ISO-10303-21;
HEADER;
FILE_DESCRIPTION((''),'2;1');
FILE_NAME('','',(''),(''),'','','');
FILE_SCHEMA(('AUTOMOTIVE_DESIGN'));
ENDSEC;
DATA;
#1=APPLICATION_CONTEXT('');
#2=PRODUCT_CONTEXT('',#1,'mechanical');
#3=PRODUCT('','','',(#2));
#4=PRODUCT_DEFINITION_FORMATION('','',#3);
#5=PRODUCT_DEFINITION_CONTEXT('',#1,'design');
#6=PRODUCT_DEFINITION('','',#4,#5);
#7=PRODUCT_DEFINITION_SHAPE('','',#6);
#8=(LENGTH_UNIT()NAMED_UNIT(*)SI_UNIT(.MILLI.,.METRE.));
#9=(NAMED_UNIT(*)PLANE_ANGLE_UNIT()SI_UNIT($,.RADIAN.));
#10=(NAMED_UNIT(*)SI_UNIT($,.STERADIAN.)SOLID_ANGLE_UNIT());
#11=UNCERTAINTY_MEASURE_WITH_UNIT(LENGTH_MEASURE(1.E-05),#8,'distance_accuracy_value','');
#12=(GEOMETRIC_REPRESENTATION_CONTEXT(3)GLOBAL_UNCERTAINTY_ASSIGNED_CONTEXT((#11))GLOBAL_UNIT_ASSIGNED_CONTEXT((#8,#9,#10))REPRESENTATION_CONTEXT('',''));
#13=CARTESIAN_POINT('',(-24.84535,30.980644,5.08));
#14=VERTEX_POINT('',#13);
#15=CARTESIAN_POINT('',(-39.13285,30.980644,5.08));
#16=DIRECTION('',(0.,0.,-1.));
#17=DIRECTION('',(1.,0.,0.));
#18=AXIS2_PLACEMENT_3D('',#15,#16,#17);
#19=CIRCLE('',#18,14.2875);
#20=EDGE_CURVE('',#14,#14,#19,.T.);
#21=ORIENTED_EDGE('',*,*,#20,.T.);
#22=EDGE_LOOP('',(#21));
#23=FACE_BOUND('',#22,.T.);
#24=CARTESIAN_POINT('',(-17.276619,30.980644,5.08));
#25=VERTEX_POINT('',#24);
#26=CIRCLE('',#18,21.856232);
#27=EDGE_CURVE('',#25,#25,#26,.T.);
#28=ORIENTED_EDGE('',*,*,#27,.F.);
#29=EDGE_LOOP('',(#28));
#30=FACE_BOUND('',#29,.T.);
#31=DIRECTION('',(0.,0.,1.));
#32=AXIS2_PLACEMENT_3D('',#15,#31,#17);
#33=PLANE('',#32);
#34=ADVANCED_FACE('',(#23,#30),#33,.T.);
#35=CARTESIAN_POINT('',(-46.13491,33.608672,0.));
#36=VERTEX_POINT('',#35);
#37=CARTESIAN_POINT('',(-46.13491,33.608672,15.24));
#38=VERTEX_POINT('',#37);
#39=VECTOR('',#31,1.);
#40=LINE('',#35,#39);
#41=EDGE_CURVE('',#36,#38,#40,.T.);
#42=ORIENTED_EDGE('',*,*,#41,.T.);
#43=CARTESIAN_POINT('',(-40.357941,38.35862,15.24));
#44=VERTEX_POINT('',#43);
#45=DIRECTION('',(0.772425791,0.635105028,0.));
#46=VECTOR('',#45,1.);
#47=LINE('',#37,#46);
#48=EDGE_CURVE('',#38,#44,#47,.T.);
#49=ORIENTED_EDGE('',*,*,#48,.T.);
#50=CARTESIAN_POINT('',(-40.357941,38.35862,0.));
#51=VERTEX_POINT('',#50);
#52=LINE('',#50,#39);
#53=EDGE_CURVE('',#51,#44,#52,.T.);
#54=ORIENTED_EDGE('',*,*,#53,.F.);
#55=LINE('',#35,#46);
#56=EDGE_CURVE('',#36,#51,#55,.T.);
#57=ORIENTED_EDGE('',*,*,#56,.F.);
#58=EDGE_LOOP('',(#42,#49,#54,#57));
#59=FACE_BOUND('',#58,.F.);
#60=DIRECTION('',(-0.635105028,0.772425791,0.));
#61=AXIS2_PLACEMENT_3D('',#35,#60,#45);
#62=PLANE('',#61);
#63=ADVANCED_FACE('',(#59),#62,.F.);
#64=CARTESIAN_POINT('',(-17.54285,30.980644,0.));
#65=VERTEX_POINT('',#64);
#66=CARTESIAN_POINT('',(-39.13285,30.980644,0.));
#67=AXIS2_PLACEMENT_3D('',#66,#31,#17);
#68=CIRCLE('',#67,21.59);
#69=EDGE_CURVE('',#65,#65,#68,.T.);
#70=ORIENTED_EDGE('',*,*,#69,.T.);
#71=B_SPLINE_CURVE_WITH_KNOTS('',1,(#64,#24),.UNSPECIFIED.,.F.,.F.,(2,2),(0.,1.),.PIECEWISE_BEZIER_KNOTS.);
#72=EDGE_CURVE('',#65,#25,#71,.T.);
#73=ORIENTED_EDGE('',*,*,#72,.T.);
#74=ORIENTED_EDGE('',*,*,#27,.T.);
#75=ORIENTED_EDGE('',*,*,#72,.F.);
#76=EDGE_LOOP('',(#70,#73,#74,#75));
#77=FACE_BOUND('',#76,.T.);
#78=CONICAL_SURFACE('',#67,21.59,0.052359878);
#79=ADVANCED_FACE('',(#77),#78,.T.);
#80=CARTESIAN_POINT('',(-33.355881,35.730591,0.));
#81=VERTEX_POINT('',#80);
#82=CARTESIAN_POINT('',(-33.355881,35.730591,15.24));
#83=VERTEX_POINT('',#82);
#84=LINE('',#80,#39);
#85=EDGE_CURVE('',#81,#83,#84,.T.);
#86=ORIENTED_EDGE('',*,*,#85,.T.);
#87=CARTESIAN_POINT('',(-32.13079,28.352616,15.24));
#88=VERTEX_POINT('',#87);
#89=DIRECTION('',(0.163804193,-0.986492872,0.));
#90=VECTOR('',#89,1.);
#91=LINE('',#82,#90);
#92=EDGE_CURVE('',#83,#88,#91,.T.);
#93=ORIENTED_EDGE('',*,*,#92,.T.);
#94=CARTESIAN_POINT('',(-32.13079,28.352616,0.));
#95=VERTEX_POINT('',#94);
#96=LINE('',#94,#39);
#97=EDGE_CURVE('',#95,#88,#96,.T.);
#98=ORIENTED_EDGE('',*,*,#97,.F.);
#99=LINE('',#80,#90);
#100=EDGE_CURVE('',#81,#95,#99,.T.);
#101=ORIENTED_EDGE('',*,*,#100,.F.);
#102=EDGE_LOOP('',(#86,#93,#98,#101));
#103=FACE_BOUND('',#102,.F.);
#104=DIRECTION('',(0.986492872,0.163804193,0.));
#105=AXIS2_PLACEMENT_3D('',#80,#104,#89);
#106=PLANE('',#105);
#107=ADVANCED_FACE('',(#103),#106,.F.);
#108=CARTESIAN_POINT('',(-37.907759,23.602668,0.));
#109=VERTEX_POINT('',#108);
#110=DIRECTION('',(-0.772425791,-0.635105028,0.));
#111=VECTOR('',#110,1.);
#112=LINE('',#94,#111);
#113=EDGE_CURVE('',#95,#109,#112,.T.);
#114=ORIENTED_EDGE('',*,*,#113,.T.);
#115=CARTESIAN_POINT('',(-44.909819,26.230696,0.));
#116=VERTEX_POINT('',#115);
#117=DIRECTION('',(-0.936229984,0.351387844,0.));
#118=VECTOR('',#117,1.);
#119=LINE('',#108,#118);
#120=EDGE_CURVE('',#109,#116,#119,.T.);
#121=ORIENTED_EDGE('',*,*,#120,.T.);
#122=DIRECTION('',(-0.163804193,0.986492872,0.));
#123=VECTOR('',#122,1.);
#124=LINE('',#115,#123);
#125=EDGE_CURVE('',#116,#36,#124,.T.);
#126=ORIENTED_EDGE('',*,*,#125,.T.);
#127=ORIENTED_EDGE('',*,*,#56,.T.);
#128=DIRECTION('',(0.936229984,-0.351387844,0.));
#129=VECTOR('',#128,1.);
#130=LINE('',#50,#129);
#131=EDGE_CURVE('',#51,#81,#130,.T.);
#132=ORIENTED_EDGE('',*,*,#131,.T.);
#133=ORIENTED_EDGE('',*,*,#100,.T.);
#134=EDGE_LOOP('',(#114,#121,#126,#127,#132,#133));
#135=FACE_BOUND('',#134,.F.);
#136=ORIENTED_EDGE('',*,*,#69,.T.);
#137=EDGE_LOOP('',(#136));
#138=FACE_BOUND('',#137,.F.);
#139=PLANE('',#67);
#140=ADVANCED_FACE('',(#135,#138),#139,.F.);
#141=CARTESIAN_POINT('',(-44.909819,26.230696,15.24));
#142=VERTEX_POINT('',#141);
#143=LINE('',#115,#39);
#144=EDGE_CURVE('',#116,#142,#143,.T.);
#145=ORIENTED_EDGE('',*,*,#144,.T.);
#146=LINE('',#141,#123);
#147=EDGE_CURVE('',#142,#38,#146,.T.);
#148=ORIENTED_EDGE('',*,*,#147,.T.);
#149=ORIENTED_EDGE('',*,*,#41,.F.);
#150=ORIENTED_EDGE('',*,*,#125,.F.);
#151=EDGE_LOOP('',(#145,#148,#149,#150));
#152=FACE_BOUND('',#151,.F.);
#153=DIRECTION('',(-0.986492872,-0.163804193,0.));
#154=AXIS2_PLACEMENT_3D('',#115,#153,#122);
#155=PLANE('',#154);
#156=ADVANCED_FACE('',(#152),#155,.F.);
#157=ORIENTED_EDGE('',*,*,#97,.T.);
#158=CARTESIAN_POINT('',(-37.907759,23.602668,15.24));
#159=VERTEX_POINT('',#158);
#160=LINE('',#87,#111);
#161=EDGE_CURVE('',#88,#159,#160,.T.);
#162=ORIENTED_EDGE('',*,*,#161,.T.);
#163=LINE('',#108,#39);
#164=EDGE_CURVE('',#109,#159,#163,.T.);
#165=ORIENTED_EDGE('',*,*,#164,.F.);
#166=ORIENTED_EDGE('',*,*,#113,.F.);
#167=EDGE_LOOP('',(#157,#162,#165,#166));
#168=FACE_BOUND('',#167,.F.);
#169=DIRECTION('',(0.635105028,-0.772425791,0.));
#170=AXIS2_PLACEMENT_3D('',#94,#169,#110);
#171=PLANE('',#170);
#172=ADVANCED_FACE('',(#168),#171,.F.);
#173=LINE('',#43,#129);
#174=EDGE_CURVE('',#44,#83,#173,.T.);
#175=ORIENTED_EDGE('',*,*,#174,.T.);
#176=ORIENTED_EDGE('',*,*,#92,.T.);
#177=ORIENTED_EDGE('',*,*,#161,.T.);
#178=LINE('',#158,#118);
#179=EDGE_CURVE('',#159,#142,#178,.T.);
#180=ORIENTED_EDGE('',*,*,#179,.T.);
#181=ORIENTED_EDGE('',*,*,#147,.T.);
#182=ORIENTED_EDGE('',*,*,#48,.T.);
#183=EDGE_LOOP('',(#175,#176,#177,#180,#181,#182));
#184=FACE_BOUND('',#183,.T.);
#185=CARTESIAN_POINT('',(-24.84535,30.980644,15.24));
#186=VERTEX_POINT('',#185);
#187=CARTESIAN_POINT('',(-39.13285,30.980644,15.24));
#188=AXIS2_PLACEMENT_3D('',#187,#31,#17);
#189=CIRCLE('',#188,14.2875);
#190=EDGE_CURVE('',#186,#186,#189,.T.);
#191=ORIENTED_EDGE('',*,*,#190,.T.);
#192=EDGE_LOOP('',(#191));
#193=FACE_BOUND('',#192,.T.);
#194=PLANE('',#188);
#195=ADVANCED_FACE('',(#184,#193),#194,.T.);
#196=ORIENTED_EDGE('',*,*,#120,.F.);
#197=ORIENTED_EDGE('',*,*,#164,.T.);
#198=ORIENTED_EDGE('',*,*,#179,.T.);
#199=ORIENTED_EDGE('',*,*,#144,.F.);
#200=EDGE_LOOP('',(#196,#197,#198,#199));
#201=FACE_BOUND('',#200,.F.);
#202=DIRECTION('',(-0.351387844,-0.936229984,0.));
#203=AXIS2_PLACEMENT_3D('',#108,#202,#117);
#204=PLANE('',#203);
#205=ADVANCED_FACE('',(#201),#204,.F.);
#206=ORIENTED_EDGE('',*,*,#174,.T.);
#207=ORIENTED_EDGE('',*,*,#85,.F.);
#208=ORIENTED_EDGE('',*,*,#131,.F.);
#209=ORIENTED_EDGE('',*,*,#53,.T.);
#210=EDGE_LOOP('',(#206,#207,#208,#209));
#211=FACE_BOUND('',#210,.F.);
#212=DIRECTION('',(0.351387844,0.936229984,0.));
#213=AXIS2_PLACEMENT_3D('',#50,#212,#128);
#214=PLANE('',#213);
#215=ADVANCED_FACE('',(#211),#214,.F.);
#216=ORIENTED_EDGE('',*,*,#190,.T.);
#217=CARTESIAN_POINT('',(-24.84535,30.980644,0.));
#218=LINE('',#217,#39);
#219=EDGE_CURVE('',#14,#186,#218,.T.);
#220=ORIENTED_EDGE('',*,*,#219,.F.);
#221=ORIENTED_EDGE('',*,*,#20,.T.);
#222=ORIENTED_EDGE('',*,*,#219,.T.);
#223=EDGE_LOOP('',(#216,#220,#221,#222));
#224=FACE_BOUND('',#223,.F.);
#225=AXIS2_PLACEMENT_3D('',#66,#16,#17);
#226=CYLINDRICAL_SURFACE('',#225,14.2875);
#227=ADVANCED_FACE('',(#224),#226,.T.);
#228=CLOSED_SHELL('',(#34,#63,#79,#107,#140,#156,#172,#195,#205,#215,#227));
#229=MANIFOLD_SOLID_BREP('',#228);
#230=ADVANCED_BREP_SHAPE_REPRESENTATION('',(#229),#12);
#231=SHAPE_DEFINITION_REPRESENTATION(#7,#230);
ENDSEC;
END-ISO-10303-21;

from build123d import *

# Parameters (mm, degrees)
F0_R     = 21.59
F0_R_2   = 14.2875
F1_DEPTH = 5.08
F1_TAPER = -3
F2_DEPTH = 15.24


with BuildPart() as f1:
    # F0 (on Top) → F1 (new body)
    with BuildSketch(Plane.XY):
        with Locations((-39.1328502254, 30.9806439229)):
            Circle(F0_R)
        with Locations((-39.1328502254, 30.9806439229)):
            Circle(F0_R_2, mode=Mode.SUBTRACT)
    extrude(amount=F1_DEPTH, taper=F1_TAPER)

    # F0 (on Top) → F2 (join)
    with BuildSketch(Plane.XY):
        with Locations((-39.1328502254, 30.9806439229)):
            Circle(F0_R_2)
        Polygon((-40.3579410266, 38.3586195618), (-33.3558812942, 35.7305914981), (-32.130790493, 28.3526158592), (-37.9077594242, 23.602668284), (-44.9098191566, 26.2306963477), (-46.1349099578, 33.6086719866), align=None, mode=Mode.SUBTRACT)
    extrude(amount=F2_DEPTH)


solid = f1.part
